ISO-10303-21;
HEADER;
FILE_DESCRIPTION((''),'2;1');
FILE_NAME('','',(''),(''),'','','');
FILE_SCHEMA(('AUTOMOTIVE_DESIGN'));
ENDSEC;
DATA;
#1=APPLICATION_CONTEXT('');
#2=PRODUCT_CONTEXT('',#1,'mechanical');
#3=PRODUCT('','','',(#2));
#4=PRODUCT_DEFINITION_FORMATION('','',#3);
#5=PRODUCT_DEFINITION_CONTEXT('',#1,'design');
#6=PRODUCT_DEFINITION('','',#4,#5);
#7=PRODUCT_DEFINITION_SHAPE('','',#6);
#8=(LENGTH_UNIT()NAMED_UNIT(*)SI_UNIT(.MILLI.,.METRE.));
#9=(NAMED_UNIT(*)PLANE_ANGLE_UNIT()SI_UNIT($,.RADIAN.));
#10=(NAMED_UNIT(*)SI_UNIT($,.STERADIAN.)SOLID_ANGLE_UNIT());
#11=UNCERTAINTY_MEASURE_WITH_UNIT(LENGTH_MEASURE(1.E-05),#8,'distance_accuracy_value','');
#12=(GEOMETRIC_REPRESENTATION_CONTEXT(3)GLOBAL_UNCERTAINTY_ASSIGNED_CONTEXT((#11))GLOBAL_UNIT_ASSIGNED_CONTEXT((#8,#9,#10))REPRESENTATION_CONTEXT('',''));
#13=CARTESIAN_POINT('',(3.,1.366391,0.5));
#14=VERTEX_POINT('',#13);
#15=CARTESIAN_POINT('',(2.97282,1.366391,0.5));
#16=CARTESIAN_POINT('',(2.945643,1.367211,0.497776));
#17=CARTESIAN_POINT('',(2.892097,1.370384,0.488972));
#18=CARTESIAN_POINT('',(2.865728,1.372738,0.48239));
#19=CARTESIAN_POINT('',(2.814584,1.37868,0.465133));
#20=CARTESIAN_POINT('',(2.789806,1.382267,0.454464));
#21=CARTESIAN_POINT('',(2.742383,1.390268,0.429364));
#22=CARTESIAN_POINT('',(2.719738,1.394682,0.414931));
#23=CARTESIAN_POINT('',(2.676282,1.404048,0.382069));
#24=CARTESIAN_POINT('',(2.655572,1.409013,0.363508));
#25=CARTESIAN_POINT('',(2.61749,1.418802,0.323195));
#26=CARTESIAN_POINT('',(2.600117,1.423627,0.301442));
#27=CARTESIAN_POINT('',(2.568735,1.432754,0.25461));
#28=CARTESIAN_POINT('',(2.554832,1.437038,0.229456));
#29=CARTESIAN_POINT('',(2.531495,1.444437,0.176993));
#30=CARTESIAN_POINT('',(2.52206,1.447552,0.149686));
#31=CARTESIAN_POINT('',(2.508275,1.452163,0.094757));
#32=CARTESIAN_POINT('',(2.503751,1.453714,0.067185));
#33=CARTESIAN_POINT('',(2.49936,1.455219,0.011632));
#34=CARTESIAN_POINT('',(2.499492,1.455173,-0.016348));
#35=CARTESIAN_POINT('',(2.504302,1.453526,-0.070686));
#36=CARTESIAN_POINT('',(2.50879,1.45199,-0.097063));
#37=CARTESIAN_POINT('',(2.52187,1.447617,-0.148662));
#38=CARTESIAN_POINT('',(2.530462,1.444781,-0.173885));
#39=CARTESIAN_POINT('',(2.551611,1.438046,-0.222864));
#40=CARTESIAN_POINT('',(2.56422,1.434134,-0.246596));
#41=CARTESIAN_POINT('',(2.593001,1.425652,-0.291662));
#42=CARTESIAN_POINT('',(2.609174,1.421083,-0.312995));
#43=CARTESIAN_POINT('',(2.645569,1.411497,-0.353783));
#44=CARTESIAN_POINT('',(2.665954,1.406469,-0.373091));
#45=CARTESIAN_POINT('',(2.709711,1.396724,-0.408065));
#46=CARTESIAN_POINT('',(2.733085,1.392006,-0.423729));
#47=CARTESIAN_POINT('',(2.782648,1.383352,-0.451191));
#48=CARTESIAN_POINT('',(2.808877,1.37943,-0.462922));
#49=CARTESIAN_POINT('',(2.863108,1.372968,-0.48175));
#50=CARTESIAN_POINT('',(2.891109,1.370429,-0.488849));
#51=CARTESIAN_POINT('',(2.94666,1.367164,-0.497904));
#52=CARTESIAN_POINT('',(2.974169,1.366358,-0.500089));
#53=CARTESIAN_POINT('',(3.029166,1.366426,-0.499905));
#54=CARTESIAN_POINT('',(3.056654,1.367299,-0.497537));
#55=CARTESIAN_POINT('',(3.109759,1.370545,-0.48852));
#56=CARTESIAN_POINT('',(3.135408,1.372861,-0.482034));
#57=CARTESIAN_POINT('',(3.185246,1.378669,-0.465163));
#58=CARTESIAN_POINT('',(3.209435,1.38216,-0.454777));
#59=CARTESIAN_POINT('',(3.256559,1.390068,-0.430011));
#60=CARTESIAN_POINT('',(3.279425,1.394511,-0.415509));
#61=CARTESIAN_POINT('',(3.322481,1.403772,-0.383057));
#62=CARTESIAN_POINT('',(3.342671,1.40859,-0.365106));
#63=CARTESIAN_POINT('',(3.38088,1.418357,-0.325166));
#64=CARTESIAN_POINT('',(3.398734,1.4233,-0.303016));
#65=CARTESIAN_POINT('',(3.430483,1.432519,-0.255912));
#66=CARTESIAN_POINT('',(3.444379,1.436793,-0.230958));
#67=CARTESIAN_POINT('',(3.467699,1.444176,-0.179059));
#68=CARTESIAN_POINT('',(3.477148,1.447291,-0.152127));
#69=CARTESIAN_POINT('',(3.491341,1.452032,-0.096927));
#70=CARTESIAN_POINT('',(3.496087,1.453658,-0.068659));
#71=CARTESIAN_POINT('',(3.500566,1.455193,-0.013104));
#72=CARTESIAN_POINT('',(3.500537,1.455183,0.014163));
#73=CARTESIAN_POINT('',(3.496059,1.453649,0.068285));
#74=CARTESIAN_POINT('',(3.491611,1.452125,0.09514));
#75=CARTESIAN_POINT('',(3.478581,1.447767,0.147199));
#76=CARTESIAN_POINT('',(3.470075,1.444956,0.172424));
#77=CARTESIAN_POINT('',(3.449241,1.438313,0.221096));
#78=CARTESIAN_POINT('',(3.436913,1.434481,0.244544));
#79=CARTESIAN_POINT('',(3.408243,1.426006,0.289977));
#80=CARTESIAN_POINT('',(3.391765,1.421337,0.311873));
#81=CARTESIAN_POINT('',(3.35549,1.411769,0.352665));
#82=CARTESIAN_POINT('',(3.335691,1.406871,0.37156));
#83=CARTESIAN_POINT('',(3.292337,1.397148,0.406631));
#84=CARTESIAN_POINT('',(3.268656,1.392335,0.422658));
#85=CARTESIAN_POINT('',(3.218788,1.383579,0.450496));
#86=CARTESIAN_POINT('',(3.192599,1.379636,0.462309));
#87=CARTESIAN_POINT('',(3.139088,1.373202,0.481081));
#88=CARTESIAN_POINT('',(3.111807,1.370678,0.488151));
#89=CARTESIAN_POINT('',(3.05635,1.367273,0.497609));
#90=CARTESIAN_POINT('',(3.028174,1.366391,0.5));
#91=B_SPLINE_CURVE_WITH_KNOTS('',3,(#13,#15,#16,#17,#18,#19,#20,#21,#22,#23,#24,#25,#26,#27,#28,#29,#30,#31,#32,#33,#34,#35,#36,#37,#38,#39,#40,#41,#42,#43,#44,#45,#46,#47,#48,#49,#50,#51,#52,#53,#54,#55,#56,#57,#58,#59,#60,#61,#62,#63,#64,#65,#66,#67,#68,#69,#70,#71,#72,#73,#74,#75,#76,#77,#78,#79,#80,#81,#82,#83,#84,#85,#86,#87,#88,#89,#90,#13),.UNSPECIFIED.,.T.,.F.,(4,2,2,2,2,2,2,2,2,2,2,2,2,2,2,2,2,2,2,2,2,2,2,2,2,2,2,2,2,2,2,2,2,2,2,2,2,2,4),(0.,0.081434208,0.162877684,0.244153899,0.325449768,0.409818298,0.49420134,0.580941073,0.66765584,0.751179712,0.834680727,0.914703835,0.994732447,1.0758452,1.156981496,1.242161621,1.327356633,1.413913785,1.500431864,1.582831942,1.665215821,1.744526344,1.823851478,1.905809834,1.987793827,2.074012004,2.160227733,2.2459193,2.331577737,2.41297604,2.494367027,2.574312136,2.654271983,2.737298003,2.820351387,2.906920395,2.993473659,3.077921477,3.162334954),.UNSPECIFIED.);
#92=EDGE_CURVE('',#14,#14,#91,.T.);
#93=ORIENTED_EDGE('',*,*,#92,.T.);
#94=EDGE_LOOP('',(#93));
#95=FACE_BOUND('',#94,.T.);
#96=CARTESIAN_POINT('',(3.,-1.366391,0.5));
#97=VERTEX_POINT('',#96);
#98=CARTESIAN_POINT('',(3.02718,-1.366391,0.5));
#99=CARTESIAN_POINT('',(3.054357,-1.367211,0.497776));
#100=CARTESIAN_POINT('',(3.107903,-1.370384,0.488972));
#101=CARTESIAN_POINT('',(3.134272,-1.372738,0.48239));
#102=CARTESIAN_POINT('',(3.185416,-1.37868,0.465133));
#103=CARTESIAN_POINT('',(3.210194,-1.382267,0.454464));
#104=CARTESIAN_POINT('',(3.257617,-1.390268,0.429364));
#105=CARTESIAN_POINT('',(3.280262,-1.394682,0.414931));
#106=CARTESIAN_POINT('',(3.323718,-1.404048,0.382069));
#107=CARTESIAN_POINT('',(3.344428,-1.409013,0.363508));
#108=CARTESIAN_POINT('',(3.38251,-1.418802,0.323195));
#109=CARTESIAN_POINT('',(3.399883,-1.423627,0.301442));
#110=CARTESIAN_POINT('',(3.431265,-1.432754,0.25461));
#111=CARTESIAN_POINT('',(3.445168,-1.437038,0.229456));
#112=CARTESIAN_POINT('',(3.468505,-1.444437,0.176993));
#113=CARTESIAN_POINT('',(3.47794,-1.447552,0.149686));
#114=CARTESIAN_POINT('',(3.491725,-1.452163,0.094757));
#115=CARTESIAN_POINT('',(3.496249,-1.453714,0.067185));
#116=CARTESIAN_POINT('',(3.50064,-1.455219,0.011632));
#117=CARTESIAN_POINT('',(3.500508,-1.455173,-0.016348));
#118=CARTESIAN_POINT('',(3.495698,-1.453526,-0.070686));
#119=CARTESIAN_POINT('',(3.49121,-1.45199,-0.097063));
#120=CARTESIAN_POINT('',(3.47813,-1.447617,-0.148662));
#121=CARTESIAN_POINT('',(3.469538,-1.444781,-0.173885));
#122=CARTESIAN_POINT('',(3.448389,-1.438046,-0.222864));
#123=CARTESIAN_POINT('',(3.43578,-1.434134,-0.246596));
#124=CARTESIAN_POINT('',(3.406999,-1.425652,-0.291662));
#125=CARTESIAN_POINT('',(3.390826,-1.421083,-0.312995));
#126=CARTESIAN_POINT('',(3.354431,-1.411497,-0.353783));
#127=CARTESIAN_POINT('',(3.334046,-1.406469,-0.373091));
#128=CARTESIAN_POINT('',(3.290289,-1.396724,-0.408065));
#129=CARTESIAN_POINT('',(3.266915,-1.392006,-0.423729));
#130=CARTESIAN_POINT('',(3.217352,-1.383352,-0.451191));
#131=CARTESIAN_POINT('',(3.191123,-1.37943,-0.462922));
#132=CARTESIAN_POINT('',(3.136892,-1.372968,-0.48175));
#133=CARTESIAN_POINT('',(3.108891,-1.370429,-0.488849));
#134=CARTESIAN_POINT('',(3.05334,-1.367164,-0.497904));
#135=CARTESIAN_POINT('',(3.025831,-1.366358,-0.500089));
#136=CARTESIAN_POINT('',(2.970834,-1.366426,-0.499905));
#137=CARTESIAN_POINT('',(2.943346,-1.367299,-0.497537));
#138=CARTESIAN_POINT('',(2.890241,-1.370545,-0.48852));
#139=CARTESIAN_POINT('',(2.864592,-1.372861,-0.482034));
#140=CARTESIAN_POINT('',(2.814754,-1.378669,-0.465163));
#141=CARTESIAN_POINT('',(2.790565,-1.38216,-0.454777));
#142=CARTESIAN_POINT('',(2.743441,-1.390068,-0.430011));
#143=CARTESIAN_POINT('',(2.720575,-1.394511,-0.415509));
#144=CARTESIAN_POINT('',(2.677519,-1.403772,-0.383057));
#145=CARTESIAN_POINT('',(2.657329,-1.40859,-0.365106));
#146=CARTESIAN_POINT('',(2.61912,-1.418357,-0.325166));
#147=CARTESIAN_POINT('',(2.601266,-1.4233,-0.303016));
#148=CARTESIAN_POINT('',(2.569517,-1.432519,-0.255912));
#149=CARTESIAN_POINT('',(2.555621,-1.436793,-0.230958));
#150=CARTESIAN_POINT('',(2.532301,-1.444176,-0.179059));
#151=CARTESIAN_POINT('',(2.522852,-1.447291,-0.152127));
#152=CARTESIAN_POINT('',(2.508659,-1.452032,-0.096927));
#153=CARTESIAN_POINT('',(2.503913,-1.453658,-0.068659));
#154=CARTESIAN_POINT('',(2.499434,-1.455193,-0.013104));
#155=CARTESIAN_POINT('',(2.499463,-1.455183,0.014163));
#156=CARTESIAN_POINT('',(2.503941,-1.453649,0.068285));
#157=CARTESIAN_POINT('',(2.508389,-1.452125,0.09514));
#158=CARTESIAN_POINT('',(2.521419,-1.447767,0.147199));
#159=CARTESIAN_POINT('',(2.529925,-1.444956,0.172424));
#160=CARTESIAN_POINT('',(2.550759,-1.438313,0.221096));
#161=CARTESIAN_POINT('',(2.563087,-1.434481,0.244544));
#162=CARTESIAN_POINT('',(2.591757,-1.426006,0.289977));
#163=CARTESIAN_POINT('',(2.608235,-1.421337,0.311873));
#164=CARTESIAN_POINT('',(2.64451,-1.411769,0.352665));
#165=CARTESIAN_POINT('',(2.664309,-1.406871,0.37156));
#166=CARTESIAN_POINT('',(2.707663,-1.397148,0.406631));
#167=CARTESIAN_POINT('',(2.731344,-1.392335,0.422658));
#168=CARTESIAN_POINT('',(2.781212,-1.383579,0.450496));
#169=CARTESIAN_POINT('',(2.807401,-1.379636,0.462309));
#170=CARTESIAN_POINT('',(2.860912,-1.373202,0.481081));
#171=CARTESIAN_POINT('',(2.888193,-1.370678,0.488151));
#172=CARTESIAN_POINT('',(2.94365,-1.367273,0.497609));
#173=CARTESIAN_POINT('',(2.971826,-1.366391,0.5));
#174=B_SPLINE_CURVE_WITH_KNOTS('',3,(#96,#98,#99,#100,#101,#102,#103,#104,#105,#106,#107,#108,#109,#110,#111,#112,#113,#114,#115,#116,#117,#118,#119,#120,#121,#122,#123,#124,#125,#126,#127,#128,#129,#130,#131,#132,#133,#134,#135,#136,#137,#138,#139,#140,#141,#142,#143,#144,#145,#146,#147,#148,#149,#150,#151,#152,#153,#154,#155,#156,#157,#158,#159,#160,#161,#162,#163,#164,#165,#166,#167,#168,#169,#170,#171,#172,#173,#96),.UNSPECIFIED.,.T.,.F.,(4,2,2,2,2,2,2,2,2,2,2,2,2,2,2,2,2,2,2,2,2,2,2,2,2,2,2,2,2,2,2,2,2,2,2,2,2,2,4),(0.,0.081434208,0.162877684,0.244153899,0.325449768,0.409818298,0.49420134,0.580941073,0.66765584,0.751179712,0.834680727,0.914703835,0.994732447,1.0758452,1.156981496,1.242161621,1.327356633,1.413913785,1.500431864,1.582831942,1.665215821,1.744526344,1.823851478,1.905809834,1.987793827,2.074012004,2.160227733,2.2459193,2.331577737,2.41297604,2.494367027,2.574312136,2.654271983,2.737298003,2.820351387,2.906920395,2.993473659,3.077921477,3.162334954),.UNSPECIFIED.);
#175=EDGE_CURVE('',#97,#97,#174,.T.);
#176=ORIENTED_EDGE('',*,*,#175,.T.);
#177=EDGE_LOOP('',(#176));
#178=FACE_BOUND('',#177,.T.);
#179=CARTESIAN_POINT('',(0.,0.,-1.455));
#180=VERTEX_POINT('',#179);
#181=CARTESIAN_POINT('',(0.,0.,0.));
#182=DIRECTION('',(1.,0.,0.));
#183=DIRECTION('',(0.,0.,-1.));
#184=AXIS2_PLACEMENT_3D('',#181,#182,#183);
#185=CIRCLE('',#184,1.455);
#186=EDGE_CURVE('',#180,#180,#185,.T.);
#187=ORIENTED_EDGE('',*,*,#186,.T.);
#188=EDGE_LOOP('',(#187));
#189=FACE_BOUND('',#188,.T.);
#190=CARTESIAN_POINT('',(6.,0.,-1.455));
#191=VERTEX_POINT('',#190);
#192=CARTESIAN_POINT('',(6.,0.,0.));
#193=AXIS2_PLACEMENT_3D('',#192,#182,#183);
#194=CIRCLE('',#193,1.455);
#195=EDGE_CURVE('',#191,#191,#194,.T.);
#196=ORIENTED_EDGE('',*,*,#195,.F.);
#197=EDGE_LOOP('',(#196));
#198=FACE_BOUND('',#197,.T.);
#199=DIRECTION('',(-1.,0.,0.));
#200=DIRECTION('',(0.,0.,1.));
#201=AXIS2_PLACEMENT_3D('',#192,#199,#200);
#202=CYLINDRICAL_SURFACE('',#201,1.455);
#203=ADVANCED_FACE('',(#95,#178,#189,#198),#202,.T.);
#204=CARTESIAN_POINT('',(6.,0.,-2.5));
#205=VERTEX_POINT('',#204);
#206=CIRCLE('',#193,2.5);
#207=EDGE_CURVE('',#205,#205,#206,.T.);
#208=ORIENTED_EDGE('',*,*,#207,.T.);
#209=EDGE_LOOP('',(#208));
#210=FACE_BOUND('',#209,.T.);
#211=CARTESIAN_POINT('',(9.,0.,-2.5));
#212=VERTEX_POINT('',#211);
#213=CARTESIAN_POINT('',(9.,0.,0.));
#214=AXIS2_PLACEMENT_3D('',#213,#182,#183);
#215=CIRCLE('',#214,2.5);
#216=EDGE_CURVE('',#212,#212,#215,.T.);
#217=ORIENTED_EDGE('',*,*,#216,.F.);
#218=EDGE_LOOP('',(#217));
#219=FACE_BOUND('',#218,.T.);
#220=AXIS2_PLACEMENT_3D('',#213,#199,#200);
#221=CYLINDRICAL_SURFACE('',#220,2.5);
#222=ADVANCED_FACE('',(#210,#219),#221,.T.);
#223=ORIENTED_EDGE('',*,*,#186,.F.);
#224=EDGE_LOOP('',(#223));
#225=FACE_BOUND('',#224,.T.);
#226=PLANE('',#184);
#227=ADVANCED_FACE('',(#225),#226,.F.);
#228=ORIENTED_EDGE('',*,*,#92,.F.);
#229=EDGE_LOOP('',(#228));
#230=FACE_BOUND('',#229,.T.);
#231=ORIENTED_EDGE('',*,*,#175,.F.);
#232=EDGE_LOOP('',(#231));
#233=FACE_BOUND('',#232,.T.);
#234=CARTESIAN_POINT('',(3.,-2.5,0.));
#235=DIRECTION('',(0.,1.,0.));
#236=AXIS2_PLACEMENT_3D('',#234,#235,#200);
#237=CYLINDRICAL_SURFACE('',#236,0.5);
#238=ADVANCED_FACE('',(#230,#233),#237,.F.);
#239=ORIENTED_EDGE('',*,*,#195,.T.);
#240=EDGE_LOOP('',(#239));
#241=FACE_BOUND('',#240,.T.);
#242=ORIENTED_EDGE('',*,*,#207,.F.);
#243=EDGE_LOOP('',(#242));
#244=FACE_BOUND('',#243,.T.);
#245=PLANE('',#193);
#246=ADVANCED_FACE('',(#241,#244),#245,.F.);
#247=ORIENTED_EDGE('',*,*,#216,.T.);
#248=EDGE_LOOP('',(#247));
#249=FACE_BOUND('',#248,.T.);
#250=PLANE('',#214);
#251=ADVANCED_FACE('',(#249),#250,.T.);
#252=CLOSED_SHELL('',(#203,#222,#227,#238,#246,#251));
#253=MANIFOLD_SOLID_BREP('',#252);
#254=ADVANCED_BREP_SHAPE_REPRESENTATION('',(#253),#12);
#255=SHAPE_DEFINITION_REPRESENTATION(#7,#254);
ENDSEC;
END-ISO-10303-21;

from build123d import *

# Parameters (mm, degrees)
SKETCH2_R               = 1.455
BOSS_EXTRUDE3_DEPTH     = 6
SKETCH3_R               = 2.5
BOSS_EXTRUDE4_DEPTH     = 3
CUT_EXTRUDE1_DEPTH      = 10.669539803
CUT_EXTRUDE1_DEPTH_BACK = 10.669539803
SKETCH4_R               = 0.5


with BuildPart() as part:
    # Sketch2 → Boss-Extrude3 (new body)
    with BuildSketch(Plane(origin=(0, 0, 0), x_dir=(0, 0, -1), z_dir=(1, 0, 0))):
        Circle(SKETCH2_R)
    extrude(amount=BOSS_EXTRUDE3_DEPTH)

    # Sketch3 → Boss-Extrude4 (add)
    with BuildSketch(Plane(origin=(6, 0, 0), x_dir=(0, 0, -1), z_dir=(1, 0, 0))):
        Circle(SKETCH3_R)
    extrude(amount=BOSS_EXTRUDE4_DEPTH)

    # Sketch4 → Cut-Extrude1 (cut, two sides: drawn at the far end of the back side and taken through both)
    with BuildSketch(Plane(origin=(0, 0, 0), x_dir=(1, 0, 0), z_dir=(0, 1, 0)).offset(-CUT_EXTRUDE1_DEPTH_BACK)):
        with Locations(Location((3, 0, 0), (0, 0, 270))):
            Circle(SKETCH4_R)
    extrude(amount=CUT_EXTRUDE1_DEPTH + CUT_EXTRUDE1_DEPTH_BACK, mode=Mode.SUBTRACT)


solid = part.part
